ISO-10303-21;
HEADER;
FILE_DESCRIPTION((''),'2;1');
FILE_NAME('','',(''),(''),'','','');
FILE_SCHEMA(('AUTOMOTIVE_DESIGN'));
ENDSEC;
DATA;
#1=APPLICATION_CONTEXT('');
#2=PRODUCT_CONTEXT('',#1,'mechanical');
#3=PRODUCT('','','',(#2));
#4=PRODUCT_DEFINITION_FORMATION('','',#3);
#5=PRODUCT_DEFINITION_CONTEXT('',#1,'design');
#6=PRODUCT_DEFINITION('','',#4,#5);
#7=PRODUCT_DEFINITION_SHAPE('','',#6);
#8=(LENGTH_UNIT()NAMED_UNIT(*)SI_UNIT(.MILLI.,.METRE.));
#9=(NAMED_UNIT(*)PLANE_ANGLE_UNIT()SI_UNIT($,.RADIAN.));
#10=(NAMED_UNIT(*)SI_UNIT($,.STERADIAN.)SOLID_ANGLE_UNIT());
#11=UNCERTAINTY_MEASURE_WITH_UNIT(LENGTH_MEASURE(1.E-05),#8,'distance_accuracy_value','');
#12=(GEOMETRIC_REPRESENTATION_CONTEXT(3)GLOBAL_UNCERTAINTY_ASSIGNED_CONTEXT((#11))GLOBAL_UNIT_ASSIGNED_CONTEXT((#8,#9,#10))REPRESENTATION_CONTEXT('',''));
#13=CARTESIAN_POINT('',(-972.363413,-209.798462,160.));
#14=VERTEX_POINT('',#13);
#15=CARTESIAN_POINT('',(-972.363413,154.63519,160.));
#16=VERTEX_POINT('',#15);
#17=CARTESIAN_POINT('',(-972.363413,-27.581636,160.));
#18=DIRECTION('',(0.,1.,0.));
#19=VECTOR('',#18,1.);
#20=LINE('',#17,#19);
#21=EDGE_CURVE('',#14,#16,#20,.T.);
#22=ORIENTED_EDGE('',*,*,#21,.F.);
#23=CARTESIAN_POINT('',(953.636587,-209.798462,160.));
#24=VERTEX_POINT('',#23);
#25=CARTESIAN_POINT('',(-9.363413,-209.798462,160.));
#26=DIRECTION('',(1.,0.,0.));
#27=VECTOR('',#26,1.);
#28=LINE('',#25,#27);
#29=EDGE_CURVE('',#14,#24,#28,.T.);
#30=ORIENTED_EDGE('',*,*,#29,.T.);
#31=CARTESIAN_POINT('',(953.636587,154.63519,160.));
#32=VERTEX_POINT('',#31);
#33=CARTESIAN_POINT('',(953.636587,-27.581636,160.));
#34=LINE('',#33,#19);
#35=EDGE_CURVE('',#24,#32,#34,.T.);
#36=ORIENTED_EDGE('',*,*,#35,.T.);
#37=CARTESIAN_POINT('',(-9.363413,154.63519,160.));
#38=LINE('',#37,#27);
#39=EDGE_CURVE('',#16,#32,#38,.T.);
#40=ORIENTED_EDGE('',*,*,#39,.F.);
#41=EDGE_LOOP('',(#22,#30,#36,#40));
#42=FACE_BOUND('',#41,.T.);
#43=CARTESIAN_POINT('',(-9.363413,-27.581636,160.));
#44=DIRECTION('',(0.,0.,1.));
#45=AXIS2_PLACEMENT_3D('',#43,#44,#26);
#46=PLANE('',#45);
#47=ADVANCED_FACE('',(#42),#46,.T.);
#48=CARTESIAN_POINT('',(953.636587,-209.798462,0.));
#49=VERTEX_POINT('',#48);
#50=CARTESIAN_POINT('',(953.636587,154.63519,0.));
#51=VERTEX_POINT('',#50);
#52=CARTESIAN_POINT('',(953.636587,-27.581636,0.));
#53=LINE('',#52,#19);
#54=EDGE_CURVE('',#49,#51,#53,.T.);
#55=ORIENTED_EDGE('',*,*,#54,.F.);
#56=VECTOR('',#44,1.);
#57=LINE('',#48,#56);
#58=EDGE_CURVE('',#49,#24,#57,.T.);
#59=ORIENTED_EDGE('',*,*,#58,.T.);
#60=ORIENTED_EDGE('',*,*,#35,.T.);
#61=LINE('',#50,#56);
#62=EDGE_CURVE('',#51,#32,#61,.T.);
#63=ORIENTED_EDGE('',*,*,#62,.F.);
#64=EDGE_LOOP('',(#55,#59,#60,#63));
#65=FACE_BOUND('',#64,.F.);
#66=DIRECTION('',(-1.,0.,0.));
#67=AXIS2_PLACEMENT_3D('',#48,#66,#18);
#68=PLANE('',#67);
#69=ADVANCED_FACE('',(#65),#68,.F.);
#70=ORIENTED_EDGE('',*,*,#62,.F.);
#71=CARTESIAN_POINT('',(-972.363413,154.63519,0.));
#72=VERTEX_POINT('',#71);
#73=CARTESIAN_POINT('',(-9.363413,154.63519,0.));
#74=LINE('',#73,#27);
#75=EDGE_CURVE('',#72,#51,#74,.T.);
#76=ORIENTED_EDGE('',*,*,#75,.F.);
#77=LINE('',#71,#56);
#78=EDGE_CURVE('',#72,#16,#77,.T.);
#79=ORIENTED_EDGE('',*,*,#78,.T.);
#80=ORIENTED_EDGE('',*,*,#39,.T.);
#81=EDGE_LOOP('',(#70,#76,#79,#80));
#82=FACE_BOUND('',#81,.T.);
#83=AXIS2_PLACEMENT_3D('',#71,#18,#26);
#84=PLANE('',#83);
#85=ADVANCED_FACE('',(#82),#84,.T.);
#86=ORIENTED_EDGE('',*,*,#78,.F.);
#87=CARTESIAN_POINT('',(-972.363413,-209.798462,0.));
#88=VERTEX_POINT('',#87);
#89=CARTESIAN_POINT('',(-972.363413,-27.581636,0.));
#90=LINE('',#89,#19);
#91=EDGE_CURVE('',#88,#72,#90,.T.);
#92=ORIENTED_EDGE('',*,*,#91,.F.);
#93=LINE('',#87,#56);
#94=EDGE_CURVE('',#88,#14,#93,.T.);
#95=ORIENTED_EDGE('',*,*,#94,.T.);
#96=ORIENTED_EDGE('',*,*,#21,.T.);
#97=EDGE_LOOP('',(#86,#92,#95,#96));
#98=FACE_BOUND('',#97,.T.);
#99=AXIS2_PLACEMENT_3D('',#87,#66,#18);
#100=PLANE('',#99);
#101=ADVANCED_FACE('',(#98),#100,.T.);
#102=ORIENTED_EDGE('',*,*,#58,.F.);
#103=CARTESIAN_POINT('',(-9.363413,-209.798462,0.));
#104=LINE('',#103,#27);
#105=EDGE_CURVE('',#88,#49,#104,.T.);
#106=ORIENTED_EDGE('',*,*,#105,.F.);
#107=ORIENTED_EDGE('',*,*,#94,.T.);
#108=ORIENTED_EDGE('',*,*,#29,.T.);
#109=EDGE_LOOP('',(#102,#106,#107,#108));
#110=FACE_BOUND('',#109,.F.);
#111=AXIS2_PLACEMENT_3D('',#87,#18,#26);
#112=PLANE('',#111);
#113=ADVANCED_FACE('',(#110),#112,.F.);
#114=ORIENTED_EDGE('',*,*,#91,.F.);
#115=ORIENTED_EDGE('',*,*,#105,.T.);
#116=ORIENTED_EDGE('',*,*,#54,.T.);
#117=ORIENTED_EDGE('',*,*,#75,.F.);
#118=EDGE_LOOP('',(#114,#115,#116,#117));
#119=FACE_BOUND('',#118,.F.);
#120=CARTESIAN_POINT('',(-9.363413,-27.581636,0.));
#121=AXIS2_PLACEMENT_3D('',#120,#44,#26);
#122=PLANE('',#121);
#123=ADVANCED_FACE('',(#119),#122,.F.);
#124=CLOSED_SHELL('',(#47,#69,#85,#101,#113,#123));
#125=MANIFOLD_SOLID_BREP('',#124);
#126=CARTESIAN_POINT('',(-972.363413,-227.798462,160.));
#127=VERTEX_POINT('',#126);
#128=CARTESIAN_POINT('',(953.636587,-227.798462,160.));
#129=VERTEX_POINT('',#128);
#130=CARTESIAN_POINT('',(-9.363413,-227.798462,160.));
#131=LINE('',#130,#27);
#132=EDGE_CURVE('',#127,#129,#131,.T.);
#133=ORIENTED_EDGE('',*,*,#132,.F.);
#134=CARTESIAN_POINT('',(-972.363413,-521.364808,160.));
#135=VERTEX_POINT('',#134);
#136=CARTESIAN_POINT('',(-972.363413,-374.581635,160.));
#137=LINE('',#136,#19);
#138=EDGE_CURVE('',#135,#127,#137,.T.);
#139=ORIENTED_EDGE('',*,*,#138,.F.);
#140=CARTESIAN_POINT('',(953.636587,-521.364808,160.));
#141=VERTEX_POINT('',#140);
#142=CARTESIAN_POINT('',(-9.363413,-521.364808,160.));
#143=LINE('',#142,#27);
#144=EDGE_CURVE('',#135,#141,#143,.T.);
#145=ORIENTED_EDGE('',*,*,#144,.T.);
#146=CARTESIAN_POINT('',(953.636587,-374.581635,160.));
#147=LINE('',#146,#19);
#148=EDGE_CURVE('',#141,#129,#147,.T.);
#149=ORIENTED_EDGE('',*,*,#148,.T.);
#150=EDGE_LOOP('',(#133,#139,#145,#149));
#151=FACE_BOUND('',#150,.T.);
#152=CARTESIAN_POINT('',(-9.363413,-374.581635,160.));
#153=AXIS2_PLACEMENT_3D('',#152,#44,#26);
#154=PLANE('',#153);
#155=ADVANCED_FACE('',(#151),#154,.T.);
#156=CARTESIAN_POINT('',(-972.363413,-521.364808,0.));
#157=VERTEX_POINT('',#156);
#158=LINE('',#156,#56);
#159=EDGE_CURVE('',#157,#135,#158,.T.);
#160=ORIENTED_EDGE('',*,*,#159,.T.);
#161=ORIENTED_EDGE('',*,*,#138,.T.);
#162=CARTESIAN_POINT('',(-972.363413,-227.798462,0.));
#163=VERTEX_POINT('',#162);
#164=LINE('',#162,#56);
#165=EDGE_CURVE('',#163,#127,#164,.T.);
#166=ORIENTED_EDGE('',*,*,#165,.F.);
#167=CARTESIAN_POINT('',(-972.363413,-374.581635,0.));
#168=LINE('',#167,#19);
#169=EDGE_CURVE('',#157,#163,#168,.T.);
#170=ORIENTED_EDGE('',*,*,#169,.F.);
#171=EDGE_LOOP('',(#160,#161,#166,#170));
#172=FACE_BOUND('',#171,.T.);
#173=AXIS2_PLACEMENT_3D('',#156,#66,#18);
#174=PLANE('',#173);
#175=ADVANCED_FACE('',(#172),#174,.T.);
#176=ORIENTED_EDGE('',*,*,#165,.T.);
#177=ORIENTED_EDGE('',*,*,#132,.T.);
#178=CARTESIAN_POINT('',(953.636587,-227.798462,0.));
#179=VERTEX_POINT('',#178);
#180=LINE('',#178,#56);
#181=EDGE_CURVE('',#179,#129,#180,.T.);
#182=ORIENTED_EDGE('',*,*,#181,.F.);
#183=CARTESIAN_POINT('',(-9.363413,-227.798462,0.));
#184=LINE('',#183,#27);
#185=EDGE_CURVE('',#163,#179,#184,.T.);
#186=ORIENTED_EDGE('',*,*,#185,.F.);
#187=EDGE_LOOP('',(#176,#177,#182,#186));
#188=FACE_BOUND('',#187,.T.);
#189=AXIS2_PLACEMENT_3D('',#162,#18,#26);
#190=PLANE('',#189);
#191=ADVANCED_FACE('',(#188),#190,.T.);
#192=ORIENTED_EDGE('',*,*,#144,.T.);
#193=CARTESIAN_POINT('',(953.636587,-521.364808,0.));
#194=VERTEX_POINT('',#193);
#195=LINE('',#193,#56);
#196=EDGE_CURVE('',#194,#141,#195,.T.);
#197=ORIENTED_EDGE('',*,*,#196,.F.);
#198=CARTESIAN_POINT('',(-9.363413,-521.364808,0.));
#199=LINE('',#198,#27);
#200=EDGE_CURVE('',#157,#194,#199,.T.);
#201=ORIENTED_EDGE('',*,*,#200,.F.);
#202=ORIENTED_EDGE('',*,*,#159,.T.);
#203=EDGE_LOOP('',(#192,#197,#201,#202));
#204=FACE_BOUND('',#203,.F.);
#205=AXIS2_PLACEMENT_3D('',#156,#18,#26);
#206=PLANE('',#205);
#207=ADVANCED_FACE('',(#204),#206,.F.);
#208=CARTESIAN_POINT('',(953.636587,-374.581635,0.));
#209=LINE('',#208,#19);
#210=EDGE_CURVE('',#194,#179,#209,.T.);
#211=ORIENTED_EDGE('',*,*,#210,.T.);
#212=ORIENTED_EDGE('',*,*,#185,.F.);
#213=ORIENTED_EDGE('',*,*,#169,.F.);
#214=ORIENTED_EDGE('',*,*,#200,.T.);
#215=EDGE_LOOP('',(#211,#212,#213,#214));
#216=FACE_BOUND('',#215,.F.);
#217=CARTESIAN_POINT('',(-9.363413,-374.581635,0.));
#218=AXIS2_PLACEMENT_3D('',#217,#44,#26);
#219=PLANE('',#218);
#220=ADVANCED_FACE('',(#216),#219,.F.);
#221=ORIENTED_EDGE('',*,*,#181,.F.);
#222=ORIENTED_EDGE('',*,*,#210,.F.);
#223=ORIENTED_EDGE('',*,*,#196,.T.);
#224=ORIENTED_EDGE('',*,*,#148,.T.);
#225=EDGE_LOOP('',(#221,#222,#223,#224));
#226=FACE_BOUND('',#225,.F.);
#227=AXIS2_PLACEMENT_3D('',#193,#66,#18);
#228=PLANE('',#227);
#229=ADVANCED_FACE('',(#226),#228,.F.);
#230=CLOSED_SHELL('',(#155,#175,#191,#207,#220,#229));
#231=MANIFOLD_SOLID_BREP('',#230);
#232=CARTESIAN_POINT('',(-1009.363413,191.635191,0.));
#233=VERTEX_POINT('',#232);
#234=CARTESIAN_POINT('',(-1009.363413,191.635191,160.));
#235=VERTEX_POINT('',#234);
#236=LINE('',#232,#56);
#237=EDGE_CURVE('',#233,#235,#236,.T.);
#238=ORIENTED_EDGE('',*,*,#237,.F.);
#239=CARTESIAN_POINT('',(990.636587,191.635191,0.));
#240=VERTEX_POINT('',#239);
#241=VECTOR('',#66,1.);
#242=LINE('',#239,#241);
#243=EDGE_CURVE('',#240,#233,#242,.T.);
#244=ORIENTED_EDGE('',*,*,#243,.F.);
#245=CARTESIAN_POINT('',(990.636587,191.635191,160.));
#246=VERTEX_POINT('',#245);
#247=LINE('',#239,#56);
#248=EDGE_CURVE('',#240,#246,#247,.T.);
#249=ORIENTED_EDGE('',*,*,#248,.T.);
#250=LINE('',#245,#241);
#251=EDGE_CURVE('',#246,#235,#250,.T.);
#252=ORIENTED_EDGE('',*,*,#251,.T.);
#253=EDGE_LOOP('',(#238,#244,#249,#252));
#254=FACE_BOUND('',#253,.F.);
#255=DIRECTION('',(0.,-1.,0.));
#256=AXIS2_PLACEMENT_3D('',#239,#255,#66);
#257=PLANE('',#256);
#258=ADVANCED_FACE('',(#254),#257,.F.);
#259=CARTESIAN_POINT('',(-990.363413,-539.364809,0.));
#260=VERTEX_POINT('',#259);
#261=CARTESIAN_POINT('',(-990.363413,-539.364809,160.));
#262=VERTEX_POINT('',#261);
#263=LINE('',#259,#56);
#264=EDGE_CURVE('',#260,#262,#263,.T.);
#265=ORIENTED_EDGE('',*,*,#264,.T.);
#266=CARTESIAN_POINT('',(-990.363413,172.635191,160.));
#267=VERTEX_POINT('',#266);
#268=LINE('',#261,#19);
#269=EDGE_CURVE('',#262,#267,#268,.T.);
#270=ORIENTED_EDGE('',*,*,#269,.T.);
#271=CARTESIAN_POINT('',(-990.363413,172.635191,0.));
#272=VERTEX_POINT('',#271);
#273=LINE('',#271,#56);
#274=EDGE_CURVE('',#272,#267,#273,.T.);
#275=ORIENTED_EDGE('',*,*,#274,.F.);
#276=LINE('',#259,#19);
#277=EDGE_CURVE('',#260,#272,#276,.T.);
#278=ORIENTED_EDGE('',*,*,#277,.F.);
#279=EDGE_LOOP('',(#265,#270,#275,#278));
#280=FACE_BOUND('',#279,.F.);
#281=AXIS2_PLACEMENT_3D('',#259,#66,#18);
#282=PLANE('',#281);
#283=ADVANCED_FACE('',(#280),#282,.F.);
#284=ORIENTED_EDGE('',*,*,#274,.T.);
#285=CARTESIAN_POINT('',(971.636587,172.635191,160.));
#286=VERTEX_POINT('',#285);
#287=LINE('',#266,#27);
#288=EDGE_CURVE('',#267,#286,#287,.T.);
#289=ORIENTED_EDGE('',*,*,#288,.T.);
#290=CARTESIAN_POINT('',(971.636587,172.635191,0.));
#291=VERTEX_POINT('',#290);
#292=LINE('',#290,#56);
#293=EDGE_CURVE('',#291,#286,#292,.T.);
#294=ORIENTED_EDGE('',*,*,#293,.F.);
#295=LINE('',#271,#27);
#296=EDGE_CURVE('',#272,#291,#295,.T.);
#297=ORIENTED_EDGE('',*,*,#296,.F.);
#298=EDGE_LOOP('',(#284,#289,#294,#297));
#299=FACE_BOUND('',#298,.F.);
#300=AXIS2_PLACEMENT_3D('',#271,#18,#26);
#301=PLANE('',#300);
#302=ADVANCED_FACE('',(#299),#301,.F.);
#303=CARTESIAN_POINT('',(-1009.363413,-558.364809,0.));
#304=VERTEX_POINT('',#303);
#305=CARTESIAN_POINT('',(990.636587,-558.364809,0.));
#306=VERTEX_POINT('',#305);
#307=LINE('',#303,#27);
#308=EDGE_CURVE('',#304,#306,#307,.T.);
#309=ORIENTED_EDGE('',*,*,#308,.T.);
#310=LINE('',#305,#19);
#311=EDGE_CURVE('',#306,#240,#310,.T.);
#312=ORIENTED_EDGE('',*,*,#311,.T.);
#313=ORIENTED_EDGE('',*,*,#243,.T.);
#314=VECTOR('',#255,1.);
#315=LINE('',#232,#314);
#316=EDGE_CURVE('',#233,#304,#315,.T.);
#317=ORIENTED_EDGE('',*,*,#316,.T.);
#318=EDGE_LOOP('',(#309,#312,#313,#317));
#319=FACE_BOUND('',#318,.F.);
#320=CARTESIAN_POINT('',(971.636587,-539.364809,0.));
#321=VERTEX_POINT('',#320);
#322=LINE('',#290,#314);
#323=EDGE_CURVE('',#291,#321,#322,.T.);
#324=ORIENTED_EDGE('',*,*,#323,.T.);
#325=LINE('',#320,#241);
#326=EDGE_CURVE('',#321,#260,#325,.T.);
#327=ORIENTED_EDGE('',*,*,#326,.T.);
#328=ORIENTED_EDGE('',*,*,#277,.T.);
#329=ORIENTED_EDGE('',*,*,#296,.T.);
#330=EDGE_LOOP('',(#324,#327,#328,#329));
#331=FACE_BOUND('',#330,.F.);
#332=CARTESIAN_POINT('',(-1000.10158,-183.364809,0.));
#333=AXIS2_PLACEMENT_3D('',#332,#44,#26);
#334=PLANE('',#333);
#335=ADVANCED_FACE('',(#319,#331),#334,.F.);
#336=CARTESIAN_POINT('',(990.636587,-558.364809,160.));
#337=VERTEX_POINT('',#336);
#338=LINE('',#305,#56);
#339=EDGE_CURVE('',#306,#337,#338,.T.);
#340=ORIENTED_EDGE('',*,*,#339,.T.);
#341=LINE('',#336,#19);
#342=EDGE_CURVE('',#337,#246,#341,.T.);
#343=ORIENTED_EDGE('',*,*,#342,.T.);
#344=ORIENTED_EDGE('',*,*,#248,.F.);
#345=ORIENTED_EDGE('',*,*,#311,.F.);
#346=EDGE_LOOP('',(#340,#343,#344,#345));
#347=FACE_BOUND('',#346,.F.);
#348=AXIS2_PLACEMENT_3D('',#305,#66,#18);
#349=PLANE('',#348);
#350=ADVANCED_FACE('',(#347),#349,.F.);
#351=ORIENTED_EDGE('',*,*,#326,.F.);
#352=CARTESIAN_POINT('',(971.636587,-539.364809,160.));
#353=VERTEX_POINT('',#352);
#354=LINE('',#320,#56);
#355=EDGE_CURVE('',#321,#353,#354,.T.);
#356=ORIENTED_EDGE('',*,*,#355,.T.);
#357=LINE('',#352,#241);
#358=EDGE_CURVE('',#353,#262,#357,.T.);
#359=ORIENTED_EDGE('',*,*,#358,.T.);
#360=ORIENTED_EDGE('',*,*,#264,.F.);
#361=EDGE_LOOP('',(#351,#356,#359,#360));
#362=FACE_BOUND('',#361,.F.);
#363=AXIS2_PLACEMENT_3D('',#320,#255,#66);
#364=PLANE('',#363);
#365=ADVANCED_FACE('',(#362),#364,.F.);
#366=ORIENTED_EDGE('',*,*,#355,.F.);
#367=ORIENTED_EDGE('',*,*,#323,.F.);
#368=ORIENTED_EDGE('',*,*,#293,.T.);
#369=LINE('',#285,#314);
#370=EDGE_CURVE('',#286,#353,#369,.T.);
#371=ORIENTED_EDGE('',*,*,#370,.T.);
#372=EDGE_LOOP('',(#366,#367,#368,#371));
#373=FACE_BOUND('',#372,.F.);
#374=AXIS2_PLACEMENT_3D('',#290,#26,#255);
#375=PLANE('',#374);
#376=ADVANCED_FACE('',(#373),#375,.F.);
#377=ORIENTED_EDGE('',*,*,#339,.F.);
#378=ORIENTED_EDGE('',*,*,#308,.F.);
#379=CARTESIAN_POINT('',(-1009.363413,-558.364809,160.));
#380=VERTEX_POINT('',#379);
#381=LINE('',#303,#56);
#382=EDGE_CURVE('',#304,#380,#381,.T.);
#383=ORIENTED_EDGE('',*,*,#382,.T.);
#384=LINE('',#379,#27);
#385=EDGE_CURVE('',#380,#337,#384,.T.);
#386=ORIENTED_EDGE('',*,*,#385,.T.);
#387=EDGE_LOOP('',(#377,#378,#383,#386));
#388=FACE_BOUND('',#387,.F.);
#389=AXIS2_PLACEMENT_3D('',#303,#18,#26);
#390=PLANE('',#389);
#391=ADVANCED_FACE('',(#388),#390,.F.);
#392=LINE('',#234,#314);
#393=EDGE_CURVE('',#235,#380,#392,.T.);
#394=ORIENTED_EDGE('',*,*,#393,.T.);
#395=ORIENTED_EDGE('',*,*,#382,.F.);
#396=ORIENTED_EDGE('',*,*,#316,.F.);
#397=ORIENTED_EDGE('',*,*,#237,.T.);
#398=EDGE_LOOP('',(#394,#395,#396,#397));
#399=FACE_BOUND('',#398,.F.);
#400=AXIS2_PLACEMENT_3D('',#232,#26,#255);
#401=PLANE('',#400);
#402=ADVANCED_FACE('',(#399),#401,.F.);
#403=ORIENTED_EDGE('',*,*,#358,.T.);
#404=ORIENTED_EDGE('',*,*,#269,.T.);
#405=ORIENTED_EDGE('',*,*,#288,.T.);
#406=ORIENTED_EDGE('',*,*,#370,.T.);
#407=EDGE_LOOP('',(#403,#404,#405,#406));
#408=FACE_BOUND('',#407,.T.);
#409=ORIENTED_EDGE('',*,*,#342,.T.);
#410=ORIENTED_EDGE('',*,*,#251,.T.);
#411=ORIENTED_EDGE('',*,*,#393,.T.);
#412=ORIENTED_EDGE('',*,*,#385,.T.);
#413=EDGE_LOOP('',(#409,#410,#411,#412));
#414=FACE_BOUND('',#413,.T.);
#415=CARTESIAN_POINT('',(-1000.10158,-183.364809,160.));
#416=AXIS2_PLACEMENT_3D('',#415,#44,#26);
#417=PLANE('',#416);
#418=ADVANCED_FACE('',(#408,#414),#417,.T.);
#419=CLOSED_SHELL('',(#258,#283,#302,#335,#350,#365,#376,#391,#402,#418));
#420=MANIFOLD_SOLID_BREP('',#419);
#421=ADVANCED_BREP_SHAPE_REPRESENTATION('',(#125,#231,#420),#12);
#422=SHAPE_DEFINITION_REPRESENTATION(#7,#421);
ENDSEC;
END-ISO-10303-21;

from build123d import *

# Parameters (mm, degrees)
F0_W     = 1926
F0_H     = 364.433653
F0_H_2   = 293.566347
F1_DEPTH = 160
F2_DEPTH = 160


with BuildPart() as f1:
    # F0 (on Top) → F1 (new body)
    with BuildSketch(Plane.XY):
        with Locations((-9.363413, -27.581636)):
            Rectangle(F0_W, F0_H)
        with Locations((-9.363413, -374.581635)):
            Rectangle(F0_W, F0_H_2)
        Polygon((990.636587, 191.635191), (-1009.363413, 191.635191), (-990.363413, 172.635191), (-972.363413, 172.635191), (953.636587, 172.635191), (971.636587, 172.635191), align=None)
    extrude(amount=F1_DEPTH)

    # F0 (on Top) → F2 (join)
    with BuildSketch(Plane.XY):
        Polygon((-990.363413, 172.635191), (-1009.363413, 191.635191), (-1009.363413, -558.364809), (-990.363413, -539.364809), align=None)
        Polygon((990.636587, 191.635191), (-1009.363413, 191.635191), (-990.363413, 172.635191), (-972.363413, 172.635191), (953.636587, 172.635191), (971.636587, 172.635191), align=None)
        Polygon((990.636587, -558.364809), (990.636587, 191.635191), (971.636587, 172.635191), (971.636587, -539.364809), align=None)
        Polygon((-990.363413, -539.364809), (-1009.363413, -558.364809), (990.636587, -558.364809), (971.636587, -539.364809), (953.636587, -539.364809), (-972.363413, -539.364809), align=None)
    extrude(amount=F2_DEPTH)


solid = f1.part
